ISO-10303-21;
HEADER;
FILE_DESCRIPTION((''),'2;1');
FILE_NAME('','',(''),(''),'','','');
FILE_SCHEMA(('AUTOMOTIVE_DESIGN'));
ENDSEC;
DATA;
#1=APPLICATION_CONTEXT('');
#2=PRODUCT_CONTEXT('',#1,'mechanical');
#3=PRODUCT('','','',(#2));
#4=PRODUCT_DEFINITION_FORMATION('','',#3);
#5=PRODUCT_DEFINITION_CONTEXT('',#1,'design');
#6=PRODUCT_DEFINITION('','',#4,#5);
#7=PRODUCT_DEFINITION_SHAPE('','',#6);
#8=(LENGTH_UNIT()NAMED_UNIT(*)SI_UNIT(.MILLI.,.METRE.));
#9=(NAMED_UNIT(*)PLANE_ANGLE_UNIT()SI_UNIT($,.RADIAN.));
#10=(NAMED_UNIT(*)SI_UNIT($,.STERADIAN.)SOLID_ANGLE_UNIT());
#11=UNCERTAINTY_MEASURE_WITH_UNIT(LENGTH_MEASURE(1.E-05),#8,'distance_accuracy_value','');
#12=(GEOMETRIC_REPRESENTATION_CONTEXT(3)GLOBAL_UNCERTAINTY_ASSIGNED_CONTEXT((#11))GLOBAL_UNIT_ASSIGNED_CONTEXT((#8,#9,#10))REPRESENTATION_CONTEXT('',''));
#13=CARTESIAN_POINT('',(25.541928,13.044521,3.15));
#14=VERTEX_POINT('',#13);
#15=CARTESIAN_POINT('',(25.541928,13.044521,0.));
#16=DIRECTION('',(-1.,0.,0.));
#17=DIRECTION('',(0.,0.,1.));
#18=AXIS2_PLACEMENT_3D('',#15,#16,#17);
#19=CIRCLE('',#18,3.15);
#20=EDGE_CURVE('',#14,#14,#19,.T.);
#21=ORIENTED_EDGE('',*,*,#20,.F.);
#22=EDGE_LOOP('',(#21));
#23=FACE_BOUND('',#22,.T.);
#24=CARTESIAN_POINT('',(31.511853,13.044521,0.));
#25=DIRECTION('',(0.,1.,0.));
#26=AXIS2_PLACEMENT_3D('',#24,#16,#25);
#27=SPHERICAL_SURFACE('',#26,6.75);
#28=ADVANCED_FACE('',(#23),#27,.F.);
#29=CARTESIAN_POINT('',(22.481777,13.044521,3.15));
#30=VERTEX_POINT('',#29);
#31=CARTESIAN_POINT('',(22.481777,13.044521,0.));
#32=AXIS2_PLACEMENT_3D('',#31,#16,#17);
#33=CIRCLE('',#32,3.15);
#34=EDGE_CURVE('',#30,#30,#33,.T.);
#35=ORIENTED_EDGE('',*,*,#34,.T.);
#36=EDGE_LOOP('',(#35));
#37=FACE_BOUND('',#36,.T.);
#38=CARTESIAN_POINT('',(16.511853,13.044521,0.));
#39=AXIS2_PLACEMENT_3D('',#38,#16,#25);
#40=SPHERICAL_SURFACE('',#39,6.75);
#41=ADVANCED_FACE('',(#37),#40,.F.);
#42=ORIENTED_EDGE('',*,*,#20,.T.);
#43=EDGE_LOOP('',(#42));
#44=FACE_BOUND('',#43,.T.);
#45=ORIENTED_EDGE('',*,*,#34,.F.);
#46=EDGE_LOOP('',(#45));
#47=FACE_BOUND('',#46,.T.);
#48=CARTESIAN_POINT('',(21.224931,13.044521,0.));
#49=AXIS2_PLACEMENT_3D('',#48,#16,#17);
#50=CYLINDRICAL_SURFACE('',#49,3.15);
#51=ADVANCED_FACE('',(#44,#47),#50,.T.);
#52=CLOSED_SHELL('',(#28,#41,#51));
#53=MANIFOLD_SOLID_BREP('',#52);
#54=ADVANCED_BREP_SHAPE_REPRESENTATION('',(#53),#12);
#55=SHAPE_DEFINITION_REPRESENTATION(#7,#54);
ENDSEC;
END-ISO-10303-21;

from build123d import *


with BuildPart() as part:
    # 草图2 → 旋转1 (revolve)
    with BuildSketch(Plane.XY):
        with BuildLine():
            Line((23.261852872, 13.044520575), (24.761852872, 13.044520575))
            ThreePointArc((24.761852872, 13.044520575), (24.959773385, 14.667097044), (25.541928249, 16.194520575))
            Line((25.541928249, 16.194520575), (24.011852872, 16.194520575))
            Line((24.011852872, 16.194520575), (22.481777494, 16.194520575))
            ThreePointArc((22.481777494, 16.194520575), (23.063932359, 14.667097044), (23.261852872, 13.044520575))
        make_face()
    revolve(axis=Axis((21.224930557, 13.044520575, 0), (1, 0, 0)))


solid = part.part
